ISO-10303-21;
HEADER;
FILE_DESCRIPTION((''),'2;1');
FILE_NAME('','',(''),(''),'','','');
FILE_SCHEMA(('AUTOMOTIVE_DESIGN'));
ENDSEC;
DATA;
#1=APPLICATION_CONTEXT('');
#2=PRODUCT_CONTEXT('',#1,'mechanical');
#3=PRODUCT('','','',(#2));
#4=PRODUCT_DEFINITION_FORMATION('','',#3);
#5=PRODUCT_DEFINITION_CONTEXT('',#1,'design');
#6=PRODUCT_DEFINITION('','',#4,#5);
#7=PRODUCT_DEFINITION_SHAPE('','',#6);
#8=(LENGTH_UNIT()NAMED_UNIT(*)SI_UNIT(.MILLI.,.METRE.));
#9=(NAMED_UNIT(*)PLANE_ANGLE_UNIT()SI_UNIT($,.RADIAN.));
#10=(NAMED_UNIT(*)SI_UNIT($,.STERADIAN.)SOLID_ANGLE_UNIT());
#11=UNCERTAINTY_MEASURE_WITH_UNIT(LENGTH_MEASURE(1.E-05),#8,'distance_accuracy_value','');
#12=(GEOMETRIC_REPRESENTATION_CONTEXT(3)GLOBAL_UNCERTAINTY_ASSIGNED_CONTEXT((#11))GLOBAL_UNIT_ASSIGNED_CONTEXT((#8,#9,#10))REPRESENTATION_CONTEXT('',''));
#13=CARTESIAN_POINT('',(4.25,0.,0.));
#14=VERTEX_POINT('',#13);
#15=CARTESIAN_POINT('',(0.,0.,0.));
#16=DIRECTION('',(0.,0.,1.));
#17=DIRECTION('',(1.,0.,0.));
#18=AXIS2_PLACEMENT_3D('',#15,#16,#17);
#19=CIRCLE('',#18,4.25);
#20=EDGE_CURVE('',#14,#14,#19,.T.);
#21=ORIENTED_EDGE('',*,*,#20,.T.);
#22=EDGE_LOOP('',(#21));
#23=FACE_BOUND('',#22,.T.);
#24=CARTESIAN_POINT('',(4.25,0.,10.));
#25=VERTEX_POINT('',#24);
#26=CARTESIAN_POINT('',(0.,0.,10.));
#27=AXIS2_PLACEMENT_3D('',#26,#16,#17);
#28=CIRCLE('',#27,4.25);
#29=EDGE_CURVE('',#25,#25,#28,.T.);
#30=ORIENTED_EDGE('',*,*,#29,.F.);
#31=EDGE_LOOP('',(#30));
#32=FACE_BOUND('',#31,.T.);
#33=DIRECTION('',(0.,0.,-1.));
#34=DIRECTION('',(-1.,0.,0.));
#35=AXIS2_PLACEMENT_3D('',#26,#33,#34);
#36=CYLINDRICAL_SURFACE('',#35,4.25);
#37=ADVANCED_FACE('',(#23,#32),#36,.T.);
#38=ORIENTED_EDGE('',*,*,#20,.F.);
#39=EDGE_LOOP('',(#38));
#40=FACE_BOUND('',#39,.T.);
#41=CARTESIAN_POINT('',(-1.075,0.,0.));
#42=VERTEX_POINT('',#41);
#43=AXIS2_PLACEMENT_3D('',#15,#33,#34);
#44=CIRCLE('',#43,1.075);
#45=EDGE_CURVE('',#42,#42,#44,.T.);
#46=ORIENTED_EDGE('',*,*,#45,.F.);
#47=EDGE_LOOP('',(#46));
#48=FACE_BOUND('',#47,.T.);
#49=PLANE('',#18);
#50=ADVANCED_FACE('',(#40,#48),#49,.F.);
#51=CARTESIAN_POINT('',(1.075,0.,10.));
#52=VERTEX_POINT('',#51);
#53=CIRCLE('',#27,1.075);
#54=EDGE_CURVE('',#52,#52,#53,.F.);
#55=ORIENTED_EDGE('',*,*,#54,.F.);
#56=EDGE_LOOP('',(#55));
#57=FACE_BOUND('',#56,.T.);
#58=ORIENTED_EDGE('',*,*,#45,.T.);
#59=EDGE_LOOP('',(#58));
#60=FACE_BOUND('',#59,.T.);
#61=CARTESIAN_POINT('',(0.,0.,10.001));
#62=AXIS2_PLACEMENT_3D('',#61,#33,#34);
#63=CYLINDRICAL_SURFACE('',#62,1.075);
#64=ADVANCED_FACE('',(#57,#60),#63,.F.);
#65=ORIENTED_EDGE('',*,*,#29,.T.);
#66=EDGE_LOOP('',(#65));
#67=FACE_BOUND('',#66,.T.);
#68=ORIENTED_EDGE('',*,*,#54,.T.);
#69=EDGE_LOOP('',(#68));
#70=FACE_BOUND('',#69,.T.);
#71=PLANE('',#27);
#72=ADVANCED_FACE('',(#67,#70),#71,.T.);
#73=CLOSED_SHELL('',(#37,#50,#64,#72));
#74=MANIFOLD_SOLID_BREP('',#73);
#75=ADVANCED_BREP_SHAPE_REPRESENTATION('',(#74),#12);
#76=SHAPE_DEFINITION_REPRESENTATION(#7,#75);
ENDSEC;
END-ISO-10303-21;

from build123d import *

# Parameters (mm, degrees)
SZKIC1_R                    = 4.25
DODANIE_WYCI_GNI_CIE1_DEPTH = 10
WYTNIJ_WYCI_GNI_CIE1_REACH  = 13.667
SZKIC3_R                    = 1.075


with BuildPart() as part:
    # Szkic1 → Dodanie-wyciągnięcie1 (new body)
    with BuildSketch(Plane.XY):
        Circle(SZKIC1_R)
    extrude(amount=DODANIE_WYCI_GNI_CIE1_DEPTH)

    # Szkic3 → Wytnij-wyciągnięcie1 (cut, up to next)
    with BuildSketch(Plane(origin=(0, 0, 0), x_dir=(-1, 0, 0), z_dir=(0, 0, -1)), mode=Mode.PRIVATE) as wytnij_wyci_gni_cie1_sk1:
        Circle(SZKIC3_R)
    wytnij_wyci_gni_cie1_tool1 = extrude(wytnij_wyci_gni_cie1_sk1.sketch, amount=-WYTNIJ_WYCI_GNI_CIE1_REACH, mode=Mode.PRIVATE) & part.part
    add(wytnij_wyci_gni_cie1_tool1.solids().sort_by_distance((0, 0, 0))[0], mode=Mode.SUBTRACT)


solid = part.part
